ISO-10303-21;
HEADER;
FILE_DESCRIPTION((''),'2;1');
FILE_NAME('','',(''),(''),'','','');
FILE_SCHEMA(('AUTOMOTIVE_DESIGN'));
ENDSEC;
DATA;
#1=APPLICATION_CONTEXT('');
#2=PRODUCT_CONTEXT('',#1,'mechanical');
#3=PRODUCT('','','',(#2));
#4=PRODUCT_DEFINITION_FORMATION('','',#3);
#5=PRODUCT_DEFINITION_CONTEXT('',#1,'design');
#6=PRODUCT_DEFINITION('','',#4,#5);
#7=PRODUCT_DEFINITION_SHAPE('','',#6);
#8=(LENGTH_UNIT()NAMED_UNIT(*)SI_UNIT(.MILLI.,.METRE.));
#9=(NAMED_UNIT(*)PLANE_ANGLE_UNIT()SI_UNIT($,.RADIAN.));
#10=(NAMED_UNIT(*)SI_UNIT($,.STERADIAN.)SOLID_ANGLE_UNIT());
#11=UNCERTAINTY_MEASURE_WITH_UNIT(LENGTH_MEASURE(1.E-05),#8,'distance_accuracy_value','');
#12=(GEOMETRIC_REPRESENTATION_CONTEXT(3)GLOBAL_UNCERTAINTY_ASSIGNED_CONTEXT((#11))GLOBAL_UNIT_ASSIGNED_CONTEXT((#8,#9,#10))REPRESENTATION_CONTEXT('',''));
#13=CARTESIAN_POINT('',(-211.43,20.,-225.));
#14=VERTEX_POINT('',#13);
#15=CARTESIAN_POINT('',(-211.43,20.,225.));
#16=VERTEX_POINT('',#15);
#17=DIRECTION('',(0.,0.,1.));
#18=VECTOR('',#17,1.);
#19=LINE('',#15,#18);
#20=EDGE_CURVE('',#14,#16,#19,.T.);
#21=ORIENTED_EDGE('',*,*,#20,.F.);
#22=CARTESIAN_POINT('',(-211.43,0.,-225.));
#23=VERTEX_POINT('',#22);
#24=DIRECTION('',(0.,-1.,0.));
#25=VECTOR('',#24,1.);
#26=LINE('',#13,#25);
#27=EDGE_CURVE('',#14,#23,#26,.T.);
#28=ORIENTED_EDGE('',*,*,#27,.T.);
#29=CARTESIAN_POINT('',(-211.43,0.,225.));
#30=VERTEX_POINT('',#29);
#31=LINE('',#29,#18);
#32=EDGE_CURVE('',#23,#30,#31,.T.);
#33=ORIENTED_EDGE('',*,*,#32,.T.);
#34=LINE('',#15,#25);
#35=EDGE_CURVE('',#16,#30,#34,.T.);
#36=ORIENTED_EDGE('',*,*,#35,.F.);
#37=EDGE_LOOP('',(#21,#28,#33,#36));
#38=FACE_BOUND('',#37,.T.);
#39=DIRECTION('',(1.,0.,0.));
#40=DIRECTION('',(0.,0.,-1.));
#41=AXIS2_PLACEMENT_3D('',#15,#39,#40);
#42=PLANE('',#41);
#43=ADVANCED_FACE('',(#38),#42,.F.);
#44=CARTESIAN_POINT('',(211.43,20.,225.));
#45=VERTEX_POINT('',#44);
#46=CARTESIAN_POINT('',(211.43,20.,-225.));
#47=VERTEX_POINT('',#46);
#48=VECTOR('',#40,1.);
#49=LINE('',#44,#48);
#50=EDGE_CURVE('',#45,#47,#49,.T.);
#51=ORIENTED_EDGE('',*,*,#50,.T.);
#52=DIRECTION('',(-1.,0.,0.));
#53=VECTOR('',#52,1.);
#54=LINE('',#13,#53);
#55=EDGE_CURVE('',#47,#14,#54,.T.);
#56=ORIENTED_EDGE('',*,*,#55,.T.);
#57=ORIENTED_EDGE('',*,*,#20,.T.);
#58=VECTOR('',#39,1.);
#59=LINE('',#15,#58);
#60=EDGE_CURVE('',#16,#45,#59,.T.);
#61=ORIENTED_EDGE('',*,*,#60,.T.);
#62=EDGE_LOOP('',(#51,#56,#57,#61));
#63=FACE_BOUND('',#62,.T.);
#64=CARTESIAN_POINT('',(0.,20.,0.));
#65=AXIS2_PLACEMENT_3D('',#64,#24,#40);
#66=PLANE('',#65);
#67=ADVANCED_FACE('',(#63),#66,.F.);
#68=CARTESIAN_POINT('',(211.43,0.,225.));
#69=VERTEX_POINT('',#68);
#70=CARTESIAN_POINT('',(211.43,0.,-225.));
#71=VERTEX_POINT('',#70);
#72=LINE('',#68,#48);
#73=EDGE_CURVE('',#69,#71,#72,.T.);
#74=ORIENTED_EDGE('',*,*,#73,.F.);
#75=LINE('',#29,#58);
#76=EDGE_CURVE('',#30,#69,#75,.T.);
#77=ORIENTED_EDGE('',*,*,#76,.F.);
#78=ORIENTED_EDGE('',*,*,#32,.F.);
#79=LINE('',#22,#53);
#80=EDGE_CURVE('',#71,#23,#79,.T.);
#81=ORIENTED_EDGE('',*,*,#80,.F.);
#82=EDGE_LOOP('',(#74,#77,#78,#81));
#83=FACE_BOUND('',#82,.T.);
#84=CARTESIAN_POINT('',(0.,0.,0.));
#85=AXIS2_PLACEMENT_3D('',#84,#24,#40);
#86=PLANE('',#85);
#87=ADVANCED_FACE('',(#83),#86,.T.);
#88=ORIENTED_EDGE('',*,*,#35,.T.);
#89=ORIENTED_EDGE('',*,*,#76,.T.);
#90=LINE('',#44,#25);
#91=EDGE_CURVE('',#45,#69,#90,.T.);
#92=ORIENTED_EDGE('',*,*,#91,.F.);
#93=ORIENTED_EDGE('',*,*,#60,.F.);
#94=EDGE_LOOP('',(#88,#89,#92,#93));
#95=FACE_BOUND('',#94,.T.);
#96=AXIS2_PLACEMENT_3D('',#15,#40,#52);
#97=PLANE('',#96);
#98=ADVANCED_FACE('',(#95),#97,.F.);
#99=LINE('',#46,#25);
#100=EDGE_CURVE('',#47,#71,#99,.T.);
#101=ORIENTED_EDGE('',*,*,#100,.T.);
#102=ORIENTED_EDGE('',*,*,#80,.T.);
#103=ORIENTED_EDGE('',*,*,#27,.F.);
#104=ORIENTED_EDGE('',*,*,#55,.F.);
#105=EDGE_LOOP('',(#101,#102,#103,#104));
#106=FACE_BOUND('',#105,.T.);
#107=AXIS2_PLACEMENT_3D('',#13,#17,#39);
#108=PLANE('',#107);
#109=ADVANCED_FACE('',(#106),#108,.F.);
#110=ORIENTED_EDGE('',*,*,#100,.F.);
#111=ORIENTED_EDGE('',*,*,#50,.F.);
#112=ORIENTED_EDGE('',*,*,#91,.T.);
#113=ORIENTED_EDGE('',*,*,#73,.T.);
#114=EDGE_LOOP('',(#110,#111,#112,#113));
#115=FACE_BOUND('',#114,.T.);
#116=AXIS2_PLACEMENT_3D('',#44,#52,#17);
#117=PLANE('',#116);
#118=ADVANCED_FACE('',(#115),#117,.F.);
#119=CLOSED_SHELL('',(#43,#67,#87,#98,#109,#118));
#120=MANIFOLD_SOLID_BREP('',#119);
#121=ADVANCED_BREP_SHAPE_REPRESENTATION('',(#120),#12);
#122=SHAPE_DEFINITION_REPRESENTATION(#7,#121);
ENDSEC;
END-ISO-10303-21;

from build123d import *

# Parameters (mm, degrees)
SKETCH1_W           = 422.86
SKETCH1_H           = 450
BOSS_EXTRUDE1_DEPTH = 20


with BuildPart() as part:
    # Sketch1 → Boss-Extrude1 (new body)
    with BuildSketch(Plane(origin=(0, 0, 0), x_dir=(1, 0, 0), z_dir=(0, 1, 0))):
        Rectangle(SKETCH1_W, SKETCH1_H)
    extrude(amount=BOSS_EXTRUDE1_DEPTH)


solid = part.part
